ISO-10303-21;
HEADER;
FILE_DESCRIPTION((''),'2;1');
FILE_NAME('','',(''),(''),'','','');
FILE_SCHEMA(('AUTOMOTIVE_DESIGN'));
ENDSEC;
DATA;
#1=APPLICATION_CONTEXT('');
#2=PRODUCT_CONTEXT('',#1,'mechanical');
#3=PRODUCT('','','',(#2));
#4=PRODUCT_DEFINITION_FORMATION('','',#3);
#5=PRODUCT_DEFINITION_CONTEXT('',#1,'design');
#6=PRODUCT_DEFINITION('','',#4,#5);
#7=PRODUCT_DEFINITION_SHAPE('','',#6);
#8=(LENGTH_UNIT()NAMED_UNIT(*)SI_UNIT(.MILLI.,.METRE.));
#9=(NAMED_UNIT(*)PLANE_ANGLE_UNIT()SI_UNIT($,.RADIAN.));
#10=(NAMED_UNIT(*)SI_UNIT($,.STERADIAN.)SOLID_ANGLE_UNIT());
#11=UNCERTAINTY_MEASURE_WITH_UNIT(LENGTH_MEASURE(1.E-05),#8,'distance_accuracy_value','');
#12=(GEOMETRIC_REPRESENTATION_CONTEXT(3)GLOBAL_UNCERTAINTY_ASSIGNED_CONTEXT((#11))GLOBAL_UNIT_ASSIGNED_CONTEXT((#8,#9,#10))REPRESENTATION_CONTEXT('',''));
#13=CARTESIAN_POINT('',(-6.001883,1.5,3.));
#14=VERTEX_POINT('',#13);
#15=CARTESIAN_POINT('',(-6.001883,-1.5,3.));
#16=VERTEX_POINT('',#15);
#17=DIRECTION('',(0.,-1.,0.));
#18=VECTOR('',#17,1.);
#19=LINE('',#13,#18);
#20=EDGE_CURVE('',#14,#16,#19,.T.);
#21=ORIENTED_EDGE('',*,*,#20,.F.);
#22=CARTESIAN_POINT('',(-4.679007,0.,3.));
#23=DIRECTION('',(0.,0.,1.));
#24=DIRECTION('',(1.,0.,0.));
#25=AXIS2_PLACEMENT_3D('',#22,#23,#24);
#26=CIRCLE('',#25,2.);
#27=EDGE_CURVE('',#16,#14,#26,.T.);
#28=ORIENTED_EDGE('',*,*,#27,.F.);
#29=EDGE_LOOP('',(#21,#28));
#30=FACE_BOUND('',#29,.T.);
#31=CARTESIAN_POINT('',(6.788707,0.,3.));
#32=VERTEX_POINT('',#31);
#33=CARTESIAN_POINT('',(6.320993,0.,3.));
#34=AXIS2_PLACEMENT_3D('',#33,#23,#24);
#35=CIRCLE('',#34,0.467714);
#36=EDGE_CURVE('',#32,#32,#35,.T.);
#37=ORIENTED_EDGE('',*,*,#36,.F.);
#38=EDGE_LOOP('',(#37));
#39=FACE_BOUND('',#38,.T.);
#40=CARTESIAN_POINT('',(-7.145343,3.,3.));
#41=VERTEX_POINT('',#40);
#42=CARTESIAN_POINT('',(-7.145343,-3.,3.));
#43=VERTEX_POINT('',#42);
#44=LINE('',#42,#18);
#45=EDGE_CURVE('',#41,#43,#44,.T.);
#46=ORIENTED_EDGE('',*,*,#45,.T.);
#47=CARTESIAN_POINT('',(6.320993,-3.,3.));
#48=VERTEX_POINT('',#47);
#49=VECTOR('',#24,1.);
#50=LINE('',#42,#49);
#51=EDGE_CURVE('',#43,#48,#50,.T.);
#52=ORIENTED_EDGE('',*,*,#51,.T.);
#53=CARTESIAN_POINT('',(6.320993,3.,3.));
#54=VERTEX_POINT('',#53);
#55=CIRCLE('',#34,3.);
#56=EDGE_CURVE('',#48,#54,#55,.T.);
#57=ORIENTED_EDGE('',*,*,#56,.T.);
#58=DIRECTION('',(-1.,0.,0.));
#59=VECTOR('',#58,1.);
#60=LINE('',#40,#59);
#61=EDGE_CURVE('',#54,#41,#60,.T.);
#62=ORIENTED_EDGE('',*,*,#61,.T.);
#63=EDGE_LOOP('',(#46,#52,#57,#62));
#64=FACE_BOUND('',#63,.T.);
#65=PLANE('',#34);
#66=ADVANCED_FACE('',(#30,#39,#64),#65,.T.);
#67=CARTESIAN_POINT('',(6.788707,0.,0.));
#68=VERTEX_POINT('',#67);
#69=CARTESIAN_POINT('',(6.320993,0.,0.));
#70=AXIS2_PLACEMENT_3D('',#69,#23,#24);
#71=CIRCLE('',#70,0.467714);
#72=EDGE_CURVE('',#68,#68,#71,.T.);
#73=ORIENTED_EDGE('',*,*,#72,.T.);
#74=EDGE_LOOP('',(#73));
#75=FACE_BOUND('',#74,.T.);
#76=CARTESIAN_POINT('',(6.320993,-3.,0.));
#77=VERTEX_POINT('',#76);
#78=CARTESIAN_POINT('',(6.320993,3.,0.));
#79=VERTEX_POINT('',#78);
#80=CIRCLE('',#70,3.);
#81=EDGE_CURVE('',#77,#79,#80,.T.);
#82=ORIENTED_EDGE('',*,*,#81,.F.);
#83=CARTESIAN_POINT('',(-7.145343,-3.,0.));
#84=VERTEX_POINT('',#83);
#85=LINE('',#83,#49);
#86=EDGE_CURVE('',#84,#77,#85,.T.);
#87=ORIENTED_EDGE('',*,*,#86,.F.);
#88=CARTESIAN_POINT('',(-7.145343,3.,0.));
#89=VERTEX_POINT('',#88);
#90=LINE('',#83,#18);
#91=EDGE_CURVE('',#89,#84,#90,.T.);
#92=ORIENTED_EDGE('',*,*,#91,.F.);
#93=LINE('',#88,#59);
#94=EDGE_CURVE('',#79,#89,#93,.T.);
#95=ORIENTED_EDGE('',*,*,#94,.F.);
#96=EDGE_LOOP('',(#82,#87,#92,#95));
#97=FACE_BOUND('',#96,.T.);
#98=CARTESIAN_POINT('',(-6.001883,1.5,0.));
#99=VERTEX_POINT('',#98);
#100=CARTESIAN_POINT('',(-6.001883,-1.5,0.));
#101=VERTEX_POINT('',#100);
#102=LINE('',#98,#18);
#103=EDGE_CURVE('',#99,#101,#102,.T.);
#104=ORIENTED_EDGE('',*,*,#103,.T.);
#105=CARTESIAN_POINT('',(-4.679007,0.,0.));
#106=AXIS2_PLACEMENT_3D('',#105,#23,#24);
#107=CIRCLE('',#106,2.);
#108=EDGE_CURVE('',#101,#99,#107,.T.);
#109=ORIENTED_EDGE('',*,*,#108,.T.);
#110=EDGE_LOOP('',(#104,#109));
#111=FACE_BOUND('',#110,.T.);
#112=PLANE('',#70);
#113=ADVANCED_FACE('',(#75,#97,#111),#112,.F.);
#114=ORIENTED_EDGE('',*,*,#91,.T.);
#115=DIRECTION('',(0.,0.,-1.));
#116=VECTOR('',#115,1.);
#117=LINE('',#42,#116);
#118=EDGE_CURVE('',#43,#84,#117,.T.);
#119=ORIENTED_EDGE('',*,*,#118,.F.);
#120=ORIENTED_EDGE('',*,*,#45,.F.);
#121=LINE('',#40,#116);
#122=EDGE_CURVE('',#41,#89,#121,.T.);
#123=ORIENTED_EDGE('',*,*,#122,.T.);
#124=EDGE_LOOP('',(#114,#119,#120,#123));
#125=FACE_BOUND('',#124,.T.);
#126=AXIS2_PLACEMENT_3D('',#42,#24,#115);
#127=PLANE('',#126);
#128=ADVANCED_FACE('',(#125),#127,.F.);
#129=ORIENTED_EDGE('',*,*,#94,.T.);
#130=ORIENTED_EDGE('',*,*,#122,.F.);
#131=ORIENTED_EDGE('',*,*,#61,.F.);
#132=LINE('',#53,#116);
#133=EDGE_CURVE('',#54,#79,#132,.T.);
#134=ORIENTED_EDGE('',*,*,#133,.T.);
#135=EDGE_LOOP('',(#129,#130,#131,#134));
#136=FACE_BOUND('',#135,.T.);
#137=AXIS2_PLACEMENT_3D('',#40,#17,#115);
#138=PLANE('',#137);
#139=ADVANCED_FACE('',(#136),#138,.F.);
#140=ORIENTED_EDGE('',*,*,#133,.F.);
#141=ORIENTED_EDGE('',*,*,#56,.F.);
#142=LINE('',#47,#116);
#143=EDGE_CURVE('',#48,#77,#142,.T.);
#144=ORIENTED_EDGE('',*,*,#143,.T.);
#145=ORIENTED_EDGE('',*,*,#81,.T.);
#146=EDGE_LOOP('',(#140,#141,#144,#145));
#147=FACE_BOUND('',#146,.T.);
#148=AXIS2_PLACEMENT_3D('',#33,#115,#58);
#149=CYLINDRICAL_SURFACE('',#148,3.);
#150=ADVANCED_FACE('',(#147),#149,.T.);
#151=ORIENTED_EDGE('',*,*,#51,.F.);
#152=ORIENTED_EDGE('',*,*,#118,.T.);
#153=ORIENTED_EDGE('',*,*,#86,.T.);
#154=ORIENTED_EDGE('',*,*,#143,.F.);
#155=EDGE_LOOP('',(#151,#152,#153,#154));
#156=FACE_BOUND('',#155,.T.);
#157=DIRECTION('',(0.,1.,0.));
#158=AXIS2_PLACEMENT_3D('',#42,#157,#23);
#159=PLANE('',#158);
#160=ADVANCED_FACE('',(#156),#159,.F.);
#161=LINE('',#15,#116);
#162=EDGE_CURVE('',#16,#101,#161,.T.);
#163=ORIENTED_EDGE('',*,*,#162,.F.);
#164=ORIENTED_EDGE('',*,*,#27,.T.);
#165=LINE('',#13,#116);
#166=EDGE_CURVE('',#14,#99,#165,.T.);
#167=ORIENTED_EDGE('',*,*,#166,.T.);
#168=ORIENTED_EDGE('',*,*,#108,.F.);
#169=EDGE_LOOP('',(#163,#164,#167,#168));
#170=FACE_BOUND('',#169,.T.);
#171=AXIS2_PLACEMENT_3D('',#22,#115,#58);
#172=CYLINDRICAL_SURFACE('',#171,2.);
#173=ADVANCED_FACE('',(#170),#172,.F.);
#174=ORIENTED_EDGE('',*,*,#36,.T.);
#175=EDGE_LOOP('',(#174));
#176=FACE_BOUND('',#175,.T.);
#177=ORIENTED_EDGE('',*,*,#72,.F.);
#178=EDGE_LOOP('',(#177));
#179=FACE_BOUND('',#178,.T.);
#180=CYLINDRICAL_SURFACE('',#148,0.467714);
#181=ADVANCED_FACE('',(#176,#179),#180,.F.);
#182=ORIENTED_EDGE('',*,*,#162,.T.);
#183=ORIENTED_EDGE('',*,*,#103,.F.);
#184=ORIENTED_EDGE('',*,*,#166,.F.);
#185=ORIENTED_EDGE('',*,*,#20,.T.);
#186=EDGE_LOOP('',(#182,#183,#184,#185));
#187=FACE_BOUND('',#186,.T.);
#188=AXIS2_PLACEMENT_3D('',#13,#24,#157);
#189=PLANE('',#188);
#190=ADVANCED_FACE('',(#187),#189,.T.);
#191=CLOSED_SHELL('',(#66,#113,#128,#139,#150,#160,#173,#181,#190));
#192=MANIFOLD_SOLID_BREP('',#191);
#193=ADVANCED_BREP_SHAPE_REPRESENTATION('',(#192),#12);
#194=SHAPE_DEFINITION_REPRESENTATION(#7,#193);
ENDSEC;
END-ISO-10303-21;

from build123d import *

# Parameters (mm, degrees)
SKETCH1_R           = 0.467713673
BOSS_EXTRUDE1_DEPTH = 3


with BuildPart() as part:
    # Sketch1 → Boss-Extrude1 (new body)
    with BuildSketch(Plane.XY):
        with BuildLine():
            Line((-7.145342709, -3), (6.320992929, -3))
            ThreePointArc((6.320992929, -3), (9.320992929, 0), (6.320992929, 3))
            Line((6.320992929, 3), (-7.145342709, 3))
            Line((-7.145342709, 3), (-7.145342709, -3))
        make_face()
        with Locations((6.320992929, 0)):
            Circle(SKETCH1_R, mode=Mode.SUBTRACT)
        with BuildLine():
            Line((-6.001882726, 1.5), (-6.001882726, -1.5))
            ThreePointArc((-6.001882726, -1.5), (-2.679007071, 0), (-6.001882726, 1.5))
        make_face(mode=Mode.SUBTRACT)
    extrude(amount=BOSS_EXTRUDE1_DEPTH)


solid = part.part
